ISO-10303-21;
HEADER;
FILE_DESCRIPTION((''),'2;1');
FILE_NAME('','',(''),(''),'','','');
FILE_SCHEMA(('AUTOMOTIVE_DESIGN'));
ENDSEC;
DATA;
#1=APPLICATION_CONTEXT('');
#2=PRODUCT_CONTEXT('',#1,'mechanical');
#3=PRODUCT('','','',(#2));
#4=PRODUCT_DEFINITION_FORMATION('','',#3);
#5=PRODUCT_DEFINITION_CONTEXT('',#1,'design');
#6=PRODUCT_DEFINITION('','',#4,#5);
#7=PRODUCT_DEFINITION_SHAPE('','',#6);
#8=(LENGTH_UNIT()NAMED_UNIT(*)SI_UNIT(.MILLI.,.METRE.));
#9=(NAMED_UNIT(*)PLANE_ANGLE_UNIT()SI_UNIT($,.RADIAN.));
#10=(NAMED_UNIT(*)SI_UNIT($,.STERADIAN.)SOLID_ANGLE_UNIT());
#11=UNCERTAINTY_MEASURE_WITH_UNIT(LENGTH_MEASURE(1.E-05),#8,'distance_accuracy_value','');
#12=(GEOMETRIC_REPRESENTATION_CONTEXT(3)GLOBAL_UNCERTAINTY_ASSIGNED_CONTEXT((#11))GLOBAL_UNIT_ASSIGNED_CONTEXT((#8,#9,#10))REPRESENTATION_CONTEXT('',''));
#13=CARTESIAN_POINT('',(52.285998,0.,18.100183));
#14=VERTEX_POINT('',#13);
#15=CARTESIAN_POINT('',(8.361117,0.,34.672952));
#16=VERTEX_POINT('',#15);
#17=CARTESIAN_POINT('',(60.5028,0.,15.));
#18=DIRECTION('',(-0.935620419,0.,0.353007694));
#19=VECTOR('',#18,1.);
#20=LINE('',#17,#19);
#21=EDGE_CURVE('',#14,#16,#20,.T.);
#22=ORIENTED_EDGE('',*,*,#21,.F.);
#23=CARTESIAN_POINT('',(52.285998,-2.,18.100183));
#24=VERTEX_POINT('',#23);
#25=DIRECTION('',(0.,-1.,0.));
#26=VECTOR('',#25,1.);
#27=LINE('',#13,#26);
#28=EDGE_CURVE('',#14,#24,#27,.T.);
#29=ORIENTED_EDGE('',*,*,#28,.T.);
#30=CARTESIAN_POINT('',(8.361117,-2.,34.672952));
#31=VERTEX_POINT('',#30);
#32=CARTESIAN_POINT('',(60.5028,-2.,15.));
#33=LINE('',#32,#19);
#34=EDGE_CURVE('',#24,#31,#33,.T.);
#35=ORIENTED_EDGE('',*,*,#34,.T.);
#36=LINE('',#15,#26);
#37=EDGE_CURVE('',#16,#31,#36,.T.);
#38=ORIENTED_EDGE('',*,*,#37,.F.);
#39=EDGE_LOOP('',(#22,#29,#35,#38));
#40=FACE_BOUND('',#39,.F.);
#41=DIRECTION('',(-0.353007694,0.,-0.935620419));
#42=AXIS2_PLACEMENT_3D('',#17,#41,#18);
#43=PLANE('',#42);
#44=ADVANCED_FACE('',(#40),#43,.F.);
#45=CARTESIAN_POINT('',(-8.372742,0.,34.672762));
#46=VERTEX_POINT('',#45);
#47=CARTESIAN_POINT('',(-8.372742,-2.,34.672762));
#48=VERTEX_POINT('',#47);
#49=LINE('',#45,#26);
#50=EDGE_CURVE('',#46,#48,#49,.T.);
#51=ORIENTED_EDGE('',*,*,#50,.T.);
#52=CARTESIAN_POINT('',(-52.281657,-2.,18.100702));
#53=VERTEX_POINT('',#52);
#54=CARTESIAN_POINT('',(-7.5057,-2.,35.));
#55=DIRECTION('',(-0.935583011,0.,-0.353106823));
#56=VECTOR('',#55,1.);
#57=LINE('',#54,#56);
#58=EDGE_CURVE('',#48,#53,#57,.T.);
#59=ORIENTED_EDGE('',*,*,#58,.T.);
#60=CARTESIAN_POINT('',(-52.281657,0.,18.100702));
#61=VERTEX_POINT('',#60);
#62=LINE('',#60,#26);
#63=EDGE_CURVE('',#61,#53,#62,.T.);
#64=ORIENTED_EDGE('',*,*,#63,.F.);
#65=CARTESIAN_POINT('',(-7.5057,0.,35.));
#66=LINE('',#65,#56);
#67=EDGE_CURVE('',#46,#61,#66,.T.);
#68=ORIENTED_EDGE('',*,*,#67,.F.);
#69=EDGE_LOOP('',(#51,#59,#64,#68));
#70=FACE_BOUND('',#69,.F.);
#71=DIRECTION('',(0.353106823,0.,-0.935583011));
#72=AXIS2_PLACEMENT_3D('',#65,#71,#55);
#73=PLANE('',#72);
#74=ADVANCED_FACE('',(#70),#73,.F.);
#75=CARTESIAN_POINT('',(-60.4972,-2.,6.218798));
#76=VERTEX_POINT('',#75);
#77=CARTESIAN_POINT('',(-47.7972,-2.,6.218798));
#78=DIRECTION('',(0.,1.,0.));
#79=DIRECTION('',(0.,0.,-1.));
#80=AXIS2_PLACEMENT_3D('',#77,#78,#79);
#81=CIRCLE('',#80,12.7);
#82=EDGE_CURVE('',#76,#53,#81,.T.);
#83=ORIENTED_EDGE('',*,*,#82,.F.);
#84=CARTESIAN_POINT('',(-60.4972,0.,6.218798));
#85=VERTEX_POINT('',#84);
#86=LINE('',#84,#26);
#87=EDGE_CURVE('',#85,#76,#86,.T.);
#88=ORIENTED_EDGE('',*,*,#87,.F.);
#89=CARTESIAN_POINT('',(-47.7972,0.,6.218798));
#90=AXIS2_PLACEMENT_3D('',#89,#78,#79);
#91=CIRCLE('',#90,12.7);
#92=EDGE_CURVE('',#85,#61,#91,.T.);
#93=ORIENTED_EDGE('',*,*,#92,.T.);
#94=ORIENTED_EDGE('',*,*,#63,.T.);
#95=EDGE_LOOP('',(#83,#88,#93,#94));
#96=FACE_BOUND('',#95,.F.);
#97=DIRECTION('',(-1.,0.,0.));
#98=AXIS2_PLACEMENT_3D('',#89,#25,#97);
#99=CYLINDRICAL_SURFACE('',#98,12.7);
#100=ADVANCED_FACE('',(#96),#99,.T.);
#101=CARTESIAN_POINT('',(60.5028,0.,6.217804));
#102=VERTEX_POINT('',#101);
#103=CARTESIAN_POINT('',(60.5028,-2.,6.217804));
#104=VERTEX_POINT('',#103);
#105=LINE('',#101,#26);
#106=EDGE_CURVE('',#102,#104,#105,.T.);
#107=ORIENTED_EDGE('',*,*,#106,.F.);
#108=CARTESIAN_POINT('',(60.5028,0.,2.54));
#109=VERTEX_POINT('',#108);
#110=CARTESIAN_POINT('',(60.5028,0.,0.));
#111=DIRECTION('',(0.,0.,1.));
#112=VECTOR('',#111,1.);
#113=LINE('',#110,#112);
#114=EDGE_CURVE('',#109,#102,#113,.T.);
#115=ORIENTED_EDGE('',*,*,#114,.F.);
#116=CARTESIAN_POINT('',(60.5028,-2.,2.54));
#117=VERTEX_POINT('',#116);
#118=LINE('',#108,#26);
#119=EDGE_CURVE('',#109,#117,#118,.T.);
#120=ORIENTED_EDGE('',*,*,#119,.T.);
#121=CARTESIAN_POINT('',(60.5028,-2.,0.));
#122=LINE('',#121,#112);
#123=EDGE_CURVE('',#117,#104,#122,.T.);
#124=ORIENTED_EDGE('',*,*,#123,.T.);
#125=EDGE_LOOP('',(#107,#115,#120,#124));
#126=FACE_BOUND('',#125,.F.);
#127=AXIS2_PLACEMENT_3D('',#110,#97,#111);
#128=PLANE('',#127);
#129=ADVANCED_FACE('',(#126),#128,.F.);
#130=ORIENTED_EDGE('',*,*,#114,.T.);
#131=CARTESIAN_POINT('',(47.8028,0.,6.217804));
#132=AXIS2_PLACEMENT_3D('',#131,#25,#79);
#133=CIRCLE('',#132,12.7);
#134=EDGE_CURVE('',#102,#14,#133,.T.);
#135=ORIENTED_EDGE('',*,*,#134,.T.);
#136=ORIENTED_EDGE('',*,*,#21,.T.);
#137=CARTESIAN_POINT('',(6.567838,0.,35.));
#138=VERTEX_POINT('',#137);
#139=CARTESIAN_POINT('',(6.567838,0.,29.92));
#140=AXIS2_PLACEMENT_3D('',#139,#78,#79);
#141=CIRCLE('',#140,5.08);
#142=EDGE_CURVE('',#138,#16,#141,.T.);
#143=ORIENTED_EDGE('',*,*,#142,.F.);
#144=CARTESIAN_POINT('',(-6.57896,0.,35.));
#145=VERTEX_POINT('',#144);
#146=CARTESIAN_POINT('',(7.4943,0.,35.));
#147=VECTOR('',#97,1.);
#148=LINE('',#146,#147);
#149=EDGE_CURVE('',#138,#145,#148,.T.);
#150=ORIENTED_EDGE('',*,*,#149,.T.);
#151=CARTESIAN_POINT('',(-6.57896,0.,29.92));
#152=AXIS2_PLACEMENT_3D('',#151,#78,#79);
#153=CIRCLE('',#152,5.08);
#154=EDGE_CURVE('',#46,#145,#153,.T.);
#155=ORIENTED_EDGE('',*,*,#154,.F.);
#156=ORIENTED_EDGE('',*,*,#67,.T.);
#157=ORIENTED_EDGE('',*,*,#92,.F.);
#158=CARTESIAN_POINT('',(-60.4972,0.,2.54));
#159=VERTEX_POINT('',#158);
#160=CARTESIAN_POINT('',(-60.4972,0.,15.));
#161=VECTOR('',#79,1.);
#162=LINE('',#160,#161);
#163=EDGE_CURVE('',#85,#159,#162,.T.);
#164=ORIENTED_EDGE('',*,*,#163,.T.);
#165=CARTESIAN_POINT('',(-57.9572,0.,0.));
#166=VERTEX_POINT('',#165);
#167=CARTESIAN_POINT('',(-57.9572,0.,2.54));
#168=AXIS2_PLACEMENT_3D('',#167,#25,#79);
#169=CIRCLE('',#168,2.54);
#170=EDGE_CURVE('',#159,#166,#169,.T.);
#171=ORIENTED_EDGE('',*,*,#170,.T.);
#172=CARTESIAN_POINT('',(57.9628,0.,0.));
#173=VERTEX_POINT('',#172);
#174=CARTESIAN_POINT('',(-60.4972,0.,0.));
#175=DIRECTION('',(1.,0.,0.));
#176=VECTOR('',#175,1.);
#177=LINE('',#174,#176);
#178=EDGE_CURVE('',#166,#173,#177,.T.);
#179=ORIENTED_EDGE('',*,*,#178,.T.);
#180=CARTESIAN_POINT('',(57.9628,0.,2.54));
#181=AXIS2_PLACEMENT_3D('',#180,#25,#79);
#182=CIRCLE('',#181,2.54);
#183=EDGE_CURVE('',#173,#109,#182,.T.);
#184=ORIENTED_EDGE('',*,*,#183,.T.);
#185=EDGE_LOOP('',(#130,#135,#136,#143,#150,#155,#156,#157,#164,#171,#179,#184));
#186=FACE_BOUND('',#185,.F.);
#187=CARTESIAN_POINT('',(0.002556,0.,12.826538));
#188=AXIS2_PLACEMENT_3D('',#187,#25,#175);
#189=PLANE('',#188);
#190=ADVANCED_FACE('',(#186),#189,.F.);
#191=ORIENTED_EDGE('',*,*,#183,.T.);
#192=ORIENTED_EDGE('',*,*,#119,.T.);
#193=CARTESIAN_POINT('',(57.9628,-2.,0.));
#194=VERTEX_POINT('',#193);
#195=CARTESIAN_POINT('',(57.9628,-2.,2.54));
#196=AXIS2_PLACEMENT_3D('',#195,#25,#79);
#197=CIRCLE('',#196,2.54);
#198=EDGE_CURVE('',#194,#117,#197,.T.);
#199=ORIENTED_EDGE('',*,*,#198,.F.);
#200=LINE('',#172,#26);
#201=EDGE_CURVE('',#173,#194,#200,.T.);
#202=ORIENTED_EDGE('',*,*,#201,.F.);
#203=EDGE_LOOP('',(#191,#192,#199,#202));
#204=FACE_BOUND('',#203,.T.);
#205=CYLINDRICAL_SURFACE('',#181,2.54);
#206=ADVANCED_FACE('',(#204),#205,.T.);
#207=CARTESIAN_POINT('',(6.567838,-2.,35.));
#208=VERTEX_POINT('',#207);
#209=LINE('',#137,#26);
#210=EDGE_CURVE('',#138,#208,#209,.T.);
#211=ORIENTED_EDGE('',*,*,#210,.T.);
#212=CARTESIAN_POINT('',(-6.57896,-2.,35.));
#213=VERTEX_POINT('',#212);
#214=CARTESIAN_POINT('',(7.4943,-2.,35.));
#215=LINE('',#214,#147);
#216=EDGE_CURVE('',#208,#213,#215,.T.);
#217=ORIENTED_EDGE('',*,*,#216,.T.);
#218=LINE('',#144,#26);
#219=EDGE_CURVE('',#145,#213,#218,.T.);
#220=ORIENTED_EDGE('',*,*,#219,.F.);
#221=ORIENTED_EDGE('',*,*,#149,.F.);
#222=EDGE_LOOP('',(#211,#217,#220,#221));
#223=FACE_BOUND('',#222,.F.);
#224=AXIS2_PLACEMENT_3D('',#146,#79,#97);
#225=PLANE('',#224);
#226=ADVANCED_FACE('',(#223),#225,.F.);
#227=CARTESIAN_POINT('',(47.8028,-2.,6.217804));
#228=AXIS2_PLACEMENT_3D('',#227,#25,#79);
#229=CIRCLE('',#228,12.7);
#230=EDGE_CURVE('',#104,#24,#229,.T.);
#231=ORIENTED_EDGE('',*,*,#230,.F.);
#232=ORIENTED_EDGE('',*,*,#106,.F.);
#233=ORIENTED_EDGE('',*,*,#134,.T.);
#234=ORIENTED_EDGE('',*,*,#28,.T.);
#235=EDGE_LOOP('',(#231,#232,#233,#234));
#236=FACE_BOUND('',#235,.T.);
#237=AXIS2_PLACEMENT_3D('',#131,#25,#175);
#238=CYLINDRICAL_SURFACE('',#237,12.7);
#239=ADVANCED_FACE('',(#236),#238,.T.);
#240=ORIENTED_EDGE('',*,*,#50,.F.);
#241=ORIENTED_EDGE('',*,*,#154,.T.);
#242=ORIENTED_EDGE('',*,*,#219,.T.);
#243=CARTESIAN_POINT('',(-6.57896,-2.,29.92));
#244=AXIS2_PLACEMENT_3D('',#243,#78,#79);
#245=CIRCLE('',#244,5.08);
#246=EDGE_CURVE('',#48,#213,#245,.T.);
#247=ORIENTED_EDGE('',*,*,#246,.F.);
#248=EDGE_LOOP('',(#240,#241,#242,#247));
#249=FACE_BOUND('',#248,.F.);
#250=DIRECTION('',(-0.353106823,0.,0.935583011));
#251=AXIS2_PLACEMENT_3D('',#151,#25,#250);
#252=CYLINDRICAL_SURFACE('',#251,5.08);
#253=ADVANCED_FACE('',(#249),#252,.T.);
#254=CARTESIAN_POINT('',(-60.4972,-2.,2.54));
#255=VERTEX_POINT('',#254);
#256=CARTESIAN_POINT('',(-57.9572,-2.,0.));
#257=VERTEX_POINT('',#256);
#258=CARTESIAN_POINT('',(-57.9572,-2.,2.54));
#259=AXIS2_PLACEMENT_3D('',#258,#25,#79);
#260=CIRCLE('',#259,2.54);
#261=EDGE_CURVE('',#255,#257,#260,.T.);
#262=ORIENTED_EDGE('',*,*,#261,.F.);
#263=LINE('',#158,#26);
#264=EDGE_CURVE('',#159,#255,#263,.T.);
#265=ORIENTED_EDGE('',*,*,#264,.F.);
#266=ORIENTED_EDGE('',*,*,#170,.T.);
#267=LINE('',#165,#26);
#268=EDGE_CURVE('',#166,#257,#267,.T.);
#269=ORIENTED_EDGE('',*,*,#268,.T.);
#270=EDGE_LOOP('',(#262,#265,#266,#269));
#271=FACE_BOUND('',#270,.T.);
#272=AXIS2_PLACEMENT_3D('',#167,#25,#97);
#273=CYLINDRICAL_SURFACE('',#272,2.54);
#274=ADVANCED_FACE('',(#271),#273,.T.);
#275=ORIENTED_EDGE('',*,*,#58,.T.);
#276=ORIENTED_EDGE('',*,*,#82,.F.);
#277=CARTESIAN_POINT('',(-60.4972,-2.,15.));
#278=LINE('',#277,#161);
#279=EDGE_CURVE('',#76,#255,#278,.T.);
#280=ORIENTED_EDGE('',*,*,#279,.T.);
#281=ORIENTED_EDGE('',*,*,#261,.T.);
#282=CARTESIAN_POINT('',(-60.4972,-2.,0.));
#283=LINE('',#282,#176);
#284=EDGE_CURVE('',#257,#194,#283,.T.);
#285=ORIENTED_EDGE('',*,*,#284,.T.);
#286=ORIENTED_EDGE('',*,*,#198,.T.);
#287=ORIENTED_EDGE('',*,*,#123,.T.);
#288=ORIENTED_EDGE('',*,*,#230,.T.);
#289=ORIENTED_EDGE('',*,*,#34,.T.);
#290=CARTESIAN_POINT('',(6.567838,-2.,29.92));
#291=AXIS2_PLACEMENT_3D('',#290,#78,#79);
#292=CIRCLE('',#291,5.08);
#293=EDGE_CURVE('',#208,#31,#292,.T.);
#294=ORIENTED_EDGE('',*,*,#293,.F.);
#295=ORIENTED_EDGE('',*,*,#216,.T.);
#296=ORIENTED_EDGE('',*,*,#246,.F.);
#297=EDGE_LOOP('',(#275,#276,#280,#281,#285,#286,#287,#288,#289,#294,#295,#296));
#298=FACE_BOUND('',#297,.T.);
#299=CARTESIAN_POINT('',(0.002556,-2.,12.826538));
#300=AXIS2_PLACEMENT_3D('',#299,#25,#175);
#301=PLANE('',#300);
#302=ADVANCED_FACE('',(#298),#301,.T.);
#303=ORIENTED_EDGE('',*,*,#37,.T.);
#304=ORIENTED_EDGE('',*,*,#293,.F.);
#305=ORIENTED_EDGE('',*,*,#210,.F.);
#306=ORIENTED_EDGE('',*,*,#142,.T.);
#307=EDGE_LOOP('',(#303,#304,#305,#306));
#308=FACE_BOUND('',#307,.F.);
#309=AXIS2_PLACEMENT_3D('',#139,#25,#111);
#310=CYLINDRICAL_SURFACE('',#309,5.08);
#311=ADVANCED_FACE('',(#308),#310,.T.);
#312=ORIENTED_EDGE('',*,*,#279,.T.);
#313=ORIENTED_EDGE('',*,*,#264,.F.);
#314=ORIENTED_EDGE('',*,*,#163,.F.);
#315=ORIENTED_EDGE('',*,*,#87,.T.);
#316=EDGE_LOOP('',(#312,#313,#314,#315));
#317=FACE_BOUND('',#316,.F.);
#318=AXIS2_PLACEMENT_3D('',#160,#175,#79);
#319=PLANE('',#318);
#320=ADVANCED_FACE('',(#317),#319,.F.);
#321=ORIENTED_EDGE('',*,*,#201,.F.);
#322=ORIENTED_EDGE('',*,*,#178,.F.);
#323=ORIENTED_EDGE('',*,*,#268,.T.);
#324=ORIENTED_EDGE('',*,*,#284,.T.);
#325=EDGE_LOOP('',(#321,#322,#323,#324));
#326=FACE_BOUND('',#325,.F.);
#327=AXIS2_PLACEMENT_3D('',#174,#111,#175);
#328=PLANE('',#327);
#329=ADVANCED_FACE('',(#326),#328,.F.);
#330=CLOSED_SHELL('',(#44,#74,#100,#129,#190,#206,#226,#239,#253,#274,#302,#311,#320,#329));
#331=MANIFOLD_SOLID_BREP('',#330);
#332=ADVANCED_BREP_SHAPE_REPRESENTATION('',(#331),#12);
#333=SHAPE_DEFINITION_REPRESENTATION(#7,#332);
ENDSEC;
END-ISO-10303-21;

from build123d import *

# Parameters (mm, degrees)
F1_DEPTH = 2
F2_R     = 12.7
F3_R     = 2.54
F4_R     = 5.08


with BuildPart() as f1:
    # F0 (on Front) → F1 (new body)
    with BuildSketch(Plane.XZ):
        Polygon((-60.4972, 15), (-60.4972, 0), (60.5028, 0), (60.5028, 15), (7.4943, 35), (-7.5057, 35), align=None)
    extrude(amount=F1_DEPTH)

    # F2
    f2_edges = [f1.edges().sort_by_distance(p)[0] for p in [
        (-60.4972, -1, 15),
        (60.5028, -1, 15),
    ]]
    fillet(f2_edges, radius=F2_R)

    # F3
    f3_edges = [f1.edges().sort_by_distance(p)[0] for p in [
        (-60.4972, -1, 0),
        (60.5028, -1, 0),
    ]]
    fillet(f3_edges, radius=F3_R)

    # F4
    f4_edges = [f1.edges().sort_by_distance(p)[0] for p in [
        (-7.5057, -1, 35),
        (7.4943, -1, 35),
    ]]
    fillet(f4_edges, radius=F4_R)


solid = f1.part
